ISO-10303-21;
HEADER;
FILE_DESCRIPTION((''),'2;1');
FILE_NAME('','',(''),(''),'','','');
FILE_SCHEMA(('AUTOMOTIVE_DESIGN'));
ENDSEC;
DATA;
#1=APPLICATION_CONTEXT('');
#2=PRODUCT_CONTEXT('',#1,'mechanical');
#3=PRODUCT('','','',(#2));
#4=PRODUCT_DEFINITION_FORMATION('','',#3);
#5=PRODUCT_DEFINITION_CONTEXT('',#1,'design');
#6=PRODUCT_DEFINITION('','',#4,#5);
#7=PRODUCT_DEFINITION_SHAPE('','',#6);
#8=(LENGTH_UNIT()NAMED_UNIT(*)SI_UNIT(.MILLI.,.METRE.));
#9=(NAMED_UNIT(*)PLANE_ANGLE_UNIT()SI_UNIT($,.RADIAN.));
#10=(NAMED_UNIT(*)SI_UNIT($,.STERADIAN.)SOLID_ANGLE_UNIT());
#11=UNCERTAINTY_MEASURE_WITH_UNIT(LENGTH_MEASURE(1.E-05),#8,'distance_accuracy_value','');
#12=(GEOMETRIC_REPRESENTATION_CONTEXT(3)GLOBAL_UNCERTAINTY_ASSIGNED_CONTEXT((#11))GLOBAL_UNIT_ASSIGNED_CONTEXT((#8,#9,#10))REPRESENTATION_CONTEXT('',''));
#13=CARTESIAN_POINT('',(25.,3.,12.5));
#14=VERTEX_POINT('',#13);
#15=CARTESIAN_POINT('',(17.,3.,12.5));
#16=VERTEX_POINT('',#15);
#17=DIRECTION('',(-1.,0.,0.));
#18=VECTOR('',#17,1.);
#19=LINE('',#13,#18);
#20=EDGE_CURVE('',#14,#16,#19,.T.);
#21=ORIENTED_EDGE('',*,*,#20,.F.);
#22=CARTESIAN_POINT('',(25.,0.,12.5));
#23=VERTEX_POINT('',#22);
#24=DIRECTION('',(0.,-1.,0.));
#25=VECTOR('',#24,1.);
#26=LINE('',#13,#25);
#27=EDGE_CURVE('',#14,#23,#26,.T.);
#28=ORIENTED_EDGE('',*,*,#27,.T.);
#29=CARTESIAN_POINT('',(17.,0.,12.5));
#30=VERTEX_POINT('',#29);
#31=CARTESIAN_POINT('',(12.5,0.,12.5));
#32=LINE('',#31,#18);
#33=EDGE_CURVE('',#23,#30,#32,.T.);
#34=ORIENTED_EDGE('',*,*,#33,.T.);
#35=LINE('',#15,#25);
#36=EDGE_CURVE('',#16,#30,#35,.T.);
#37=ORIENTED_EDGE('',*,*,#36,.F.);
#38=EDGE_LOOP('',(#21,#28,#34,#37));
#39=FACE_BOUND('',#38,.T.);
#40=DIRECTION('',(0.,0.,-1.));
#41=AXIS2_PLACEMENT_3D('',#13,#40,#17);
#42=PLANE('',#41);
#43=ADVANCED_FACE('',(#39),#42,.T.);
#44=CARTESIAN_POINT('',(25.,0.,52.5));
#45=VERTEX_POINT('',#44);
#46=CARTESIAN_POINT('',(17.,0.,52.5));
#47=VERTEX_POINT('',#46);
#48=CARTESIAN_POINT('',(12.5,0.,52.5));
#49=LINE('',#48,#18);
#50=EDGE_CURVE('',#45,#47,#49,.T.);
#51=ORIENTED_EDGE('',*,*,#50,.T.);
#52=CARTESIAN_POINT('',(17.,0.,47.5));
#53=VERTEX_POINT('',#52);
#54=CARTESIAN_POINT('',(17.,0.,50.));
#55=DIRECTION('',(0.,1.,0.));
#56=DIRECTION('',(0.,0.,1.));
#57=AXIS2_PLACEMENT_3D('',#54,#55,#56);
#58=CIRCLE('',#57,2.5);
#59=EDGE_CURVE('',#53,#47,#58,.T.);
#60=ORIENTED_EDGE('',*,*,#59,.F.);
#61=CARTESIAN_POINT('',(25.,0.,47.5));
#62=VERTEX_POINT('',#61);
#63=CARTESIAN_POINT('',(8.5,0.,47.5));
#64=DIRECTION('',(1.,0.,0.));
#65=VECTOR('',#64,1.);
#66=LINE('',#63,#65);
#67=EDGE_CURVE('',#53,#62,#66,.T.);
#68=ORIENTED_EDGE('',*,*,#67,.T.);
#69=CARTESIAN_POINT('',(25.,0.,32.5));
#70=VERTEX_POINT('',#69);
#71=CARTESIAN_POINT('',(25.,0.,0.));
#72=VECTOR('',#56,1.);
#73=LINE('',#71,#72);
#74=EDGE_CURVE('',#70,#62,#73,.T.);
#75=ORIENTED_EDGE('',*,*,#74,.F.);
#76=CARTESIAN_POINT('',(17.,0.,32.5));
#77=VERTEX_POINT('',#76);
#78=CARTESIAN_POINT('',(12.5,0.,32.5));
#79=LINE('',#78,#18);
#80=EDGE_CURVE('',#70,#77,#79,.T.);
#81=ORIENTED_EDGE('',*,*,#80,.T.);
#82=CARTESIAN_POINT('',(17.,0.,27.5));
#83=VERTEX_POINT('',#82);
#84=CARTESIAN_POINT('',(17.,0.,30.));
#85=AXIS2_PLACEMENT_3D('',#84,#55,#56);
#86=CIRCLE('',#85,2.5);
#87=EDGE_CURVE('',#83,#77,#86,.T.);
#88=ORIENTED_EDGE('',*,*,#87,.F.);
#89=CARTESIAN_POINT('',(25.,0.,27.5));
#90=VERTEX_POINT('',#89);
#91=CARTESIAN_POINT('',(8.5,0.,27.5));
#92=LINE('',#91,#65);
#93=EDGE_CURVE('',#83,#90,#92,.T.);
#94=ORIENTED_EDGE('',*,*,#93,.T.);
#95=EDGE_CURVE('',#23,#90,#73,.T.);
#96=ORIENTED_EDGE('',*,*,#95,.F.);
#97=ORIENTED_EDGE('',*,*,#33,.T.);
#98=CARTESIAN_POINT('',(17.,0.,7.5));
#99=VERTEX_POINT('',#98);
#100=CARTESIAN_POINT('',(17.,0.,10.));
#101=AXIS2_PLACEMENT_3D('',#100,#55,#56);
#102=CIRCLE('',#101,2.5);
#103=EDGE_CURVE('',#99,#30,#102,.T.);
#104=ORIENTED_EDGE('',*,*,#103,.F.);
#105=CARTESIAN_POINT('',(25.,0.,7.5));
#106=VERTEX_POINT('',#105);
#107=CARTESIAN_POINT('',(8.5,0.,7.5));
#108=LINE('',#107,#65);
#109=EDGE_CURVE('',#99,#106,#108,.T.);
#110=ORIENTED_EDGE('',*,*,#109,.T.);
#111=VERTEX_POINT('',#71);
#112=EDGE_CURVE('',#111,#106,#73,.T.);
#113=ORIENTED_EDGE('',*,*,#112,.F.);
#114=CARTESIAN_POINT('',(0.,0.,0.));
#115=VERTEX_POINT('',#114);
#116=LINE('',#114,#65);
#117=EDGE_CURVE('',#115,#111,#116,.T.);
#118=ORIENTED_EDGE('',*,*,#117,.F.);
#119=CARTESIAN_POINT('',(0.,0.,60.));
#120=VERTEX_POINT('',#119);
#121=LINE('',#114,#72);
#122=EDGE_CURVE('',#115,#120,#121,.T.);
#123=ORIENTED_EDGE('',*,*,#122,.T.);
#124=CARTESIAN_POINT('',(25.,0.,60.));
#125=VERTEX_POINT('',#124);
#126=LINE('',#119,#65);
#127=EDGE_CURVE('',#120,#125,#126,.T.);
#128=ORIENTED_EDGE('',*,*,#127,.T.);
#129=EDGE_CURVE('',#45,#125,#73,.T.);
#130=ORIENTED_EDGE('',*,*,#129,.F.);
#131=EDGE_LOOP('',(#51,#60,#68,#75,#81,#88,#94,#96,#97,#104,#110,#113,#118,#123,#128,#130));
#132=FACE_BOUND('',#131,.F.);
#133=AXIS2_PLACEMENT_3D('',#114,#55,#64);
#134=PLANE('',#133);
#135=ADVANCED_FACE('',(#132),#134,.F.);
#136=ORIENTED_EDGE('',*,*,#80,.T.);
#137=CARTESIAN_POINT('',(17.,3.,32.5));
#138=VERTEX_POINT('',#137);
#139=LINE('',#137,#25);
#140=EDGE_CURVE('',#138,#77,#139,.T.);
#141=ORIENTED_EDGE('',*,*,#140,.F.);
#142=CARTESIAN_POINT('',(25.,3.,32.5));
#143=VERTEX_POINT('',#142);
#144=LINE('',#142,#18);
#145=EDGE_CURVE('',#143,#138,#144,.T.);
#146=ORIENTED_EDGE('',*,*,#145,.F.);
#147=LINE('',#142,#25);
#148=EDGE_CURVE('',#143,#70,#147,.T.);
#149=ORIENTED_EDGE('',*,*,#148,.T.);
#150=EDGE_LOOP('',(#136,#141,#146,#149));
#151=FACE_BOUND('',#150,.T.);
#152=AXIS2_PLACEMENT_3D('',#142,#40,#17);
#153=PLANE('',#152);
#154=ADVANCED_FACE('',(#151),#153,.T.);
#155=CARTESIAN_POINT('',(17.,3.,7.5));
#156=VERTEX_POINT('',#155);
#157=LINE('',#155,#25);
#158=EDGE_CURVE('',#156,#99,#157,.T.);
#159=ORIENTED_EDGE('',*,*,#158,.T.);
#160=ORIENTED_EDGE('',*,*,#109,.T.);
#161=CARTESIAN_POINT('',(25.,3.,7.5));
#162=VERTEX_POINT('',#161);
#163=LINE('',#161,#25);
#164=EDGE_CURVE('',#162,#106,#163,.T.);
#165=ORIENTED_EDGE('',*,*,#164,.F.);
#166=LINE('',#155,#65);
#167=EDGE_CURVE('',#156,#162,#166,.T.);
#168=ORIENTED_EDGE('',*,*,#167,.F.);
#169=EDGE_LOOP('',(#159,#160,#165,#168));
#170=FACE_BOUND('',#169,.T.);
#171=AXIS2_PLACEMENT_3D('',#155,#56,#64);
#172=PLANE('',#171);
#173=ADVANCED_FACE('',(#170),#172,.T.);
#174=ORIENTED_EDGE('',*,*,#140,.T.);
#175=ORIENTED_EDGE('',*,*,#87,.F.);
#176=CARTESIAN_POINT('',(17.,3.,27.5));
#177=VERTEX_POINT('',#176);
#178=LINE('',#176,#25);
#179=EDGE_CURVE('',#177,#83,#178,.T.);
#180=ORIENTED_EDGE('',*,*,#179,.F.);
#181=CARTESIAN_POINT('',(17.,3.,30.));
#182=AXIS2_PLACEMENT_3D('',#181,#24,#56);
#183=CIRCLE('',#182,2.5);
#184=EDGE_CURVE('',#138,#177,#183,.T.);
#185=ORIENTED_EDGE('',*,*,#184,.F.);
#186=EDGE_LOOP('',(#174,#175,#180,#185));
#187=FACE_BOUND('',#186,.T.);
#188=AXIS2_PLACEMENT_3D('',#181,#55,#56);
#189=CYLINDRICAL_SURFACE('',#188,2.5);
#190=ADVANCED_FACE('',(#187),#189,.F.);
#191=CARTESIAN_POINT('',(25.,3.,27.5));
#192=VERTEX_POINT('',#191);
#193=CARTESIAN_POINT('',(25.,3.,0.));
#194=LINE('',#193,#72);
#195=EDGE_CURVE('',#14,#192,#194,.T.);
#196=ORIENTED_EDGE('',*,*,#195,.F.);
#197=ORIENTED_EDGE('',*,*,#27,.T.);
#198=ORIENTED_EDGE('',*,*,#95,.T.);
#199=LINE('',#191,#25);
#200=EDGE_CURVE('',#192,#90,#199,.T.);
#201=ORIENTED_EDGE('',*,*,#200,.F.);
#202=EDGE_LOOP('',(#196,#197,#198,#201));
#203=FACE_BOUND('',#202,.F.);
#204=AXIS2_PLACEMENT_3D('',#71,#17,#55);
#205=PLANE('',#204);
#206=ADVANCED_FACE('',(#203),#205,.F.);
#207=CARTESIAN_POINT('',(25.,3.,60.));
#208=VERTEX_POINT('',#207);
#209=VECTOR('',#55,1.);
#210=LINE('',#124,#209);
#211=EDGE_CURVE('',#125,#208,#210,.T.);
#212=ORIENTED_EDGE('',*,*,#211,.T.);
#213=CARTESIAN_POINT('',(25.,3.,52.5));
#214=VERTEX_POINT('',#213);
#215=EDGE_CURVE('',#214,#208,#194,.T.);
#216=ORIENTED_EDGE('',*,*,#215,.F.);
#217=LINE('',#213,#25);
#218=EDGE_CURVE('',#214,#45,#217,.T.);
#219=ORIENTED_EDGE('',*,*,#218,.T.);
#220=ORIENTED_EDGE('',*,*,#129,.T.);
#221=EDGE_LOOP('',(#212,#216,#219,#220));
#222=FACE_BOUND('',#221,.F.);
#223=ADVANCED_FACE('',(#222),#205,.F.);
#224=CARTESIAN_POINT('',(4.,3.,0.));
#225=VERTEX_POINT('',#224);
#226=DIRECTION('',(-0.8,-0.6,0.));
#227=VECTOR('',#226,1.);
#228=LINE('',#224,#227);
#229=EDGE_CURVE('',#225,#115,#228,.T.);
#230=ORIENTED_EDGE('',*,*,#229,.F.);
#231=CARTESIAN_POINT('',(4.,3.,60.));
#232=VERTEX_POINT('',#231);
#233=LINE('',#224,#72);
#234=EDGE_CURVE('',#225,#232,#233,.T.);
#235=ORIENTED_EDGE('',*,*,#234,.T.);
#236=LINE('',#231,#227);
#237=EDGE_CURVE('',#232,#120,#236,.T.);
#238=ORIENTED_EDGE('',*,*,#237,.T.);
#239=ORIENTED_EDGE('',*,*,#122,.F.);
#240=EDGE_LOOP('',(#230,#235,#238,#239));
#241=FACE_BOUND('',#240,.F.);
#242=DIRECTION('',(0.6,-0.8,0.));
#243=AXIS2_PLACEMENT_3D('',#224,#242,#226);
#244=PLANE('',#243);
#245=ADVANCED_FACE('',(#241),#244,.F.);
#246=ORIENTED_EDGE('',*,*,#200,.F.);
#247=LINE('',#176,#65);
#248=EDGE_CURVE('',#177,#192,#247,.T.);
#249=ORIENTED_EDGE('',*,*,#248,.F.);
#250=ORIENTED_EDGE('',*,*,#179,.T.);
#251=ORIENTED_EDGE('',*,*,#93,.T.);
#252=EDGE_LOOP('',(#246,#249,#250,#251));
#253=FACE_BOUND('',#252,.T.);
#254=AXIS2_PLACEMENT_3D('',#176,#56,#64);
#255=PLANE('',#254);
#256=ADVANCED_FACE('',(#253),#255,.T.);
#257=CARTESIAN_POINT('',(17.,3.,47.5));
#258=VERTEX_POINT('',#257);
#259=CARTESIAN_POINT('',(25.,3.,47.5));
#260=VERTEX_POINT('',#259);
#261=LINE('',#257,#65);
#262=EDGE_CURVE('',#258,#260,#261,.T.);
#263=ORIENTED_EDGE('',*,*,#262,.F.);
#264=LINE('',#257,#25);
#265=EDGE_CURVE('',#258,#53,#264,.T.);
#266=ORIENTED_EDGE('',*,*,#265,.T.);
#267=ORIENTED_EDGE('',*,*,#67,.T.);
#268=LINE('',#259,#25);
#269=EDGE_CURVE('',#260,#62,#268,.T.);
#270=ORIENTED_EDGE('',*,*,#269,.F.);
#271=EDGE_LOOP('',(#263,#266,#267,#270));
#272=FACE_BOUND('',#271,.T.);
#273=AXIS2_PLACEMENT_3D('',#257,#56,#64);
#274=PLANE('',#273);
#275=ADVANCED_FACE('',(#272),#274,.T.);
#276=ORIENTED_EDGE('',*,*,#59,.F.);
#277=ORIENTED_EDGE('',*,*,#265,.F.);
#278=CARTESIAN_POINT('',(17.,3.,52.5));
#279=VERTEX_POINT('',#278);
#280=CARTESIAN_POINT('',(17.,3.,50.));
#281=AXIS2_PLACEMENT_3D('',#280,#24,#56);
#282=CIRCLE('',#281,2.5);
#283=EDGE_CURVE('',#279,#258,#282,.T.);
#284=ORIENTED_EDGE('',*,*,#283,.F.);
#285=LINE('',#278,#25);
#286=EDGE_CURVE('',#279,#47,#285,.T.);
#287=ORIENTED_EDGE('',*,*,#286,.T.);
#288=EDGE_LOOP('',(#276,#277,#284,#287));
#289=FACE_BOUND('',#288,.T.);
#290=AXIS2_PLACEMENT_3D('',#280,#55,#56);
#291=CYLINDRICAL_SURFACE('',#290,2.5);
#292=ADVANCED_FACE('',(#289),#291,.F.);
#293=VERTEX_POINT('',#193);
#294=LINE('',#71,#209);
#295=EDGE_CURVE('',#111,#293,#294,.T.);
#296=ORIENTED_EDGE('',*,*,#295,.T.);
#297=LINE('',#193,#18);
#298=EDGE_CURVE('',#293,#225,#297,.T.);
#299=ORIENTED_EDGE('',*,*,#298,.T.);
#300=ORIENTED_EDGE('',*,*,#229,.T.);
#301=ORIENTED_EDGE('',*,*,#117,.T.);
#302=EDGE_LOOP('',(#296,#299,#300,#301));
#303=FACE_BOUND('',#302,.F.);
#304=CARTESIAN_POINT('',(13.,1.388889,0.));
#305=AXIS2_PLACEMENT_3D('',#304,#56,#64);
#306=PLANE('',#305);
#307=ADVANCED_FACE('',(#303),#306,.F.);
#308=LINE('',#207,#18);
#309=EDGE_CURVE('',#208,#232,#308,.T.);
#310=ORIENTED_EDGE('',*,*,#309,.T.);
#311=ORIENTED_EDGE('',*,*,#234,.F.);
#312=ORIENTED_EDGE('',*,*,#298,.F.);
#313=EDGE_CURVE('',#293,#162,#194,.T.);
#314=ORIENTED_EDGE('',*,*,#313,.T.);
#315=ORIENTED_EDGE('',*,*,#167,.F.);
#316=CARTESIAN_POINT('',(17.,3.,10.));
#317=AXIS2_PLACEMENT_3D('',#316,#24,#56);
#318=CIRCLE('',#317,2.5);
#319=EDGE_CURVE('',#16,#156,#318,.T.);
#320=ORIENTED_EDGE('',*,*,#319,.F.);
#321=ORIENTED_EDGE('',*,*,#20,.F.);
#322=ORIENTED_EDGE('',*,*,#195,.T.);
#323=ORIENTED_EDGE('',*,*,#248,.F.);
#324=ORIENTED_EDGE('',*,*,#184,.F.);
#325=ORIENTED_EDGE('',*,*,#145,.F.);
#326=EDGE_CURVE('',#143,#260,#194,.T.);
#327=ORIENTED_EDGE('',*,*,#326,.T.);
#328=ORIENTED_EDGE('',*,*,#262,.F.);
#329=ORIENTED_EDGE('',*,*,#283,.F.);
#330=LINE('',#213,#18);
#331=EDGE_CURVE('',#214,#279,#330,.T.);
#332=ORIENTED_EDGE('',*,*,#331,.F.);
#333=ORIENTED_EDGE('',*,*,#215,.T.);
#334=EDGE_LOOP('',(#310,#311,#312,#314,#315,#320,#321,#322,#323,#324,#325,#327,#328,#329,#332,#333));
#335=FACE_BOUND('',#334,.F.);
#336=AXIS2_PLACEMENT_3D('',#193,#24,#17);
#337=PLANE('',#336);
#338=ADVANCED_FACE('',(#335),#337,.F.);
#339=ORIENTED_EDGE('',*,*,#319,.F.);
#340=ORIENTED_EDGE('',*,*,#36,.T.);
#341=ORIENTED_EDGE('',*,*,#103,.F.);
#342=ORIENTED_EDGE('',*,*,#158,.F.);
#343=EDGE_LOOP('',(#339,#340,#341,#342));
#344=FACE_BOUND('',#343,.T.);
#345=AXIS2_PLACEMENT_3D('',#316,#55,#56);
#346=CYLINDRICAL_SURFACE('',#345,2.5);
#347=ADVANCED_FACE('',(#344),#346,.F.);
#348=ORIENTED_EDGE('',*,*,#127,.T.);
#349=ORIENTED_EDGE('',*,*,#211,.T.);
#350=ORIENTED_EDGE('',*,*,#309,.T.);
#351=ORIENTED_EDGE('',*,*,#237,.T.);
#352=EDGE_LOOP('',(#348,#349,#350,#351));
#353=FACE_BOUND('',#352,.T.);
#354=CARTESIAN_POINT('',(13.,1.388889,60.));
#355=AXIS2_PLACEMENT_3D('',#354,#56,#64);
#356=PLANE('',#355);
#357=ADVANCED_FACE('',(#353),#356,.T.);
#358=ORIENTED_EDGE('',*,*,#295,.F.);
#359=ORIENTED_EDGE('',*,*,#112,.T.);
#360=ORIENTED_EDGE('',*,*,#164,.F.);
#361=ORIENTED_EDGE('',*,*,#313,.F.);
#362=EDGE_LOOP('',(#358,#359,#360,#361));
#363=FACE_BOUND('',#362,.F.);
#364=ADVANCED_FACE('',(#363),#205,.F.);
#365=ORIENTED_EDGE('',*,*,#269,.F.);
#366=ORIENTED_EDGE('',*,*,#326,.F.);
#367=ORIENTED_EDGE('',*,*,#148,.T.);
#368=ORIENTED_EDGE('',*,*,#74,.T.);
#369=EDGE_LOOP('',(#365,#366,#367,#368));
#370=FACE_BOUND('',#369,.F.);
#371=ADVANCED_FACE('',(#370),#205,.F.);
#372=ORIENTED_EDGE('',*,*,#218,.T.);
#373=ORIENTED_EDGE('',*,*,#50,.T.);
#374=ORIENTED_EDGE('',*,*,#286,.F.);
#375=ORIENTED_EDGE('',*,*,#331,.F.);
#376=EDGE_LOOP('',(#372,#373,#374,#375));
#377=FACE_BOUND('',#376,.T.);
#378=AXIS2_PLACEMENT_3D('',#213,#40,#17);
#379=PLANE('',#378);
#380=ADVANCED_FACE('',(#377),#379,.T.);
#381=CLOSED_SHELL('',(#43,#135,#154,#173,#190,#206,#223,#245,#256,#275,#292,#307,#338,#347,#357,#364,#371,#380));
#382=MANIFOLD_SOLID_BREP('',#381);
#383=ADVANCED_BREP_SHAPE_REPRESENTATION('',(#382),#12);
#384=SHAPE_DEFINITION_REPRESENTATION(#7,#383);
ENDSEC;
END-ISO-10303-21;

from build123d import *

# Parameters (mm, degrees)
AUFSATZ_LINEAR_AUSTRAGEN1_DEPTH = 60
SCHNITT_LINEAR_AUSTRAGEN1_DEPTH = 4


with BuildPart() as part:
    # Skizze1 → Aufsatz-Linear austragen1 (new body)
    with BuildSketch(Plane.XY):
        Polygon((0, 0), (25, 0), (25, 3), (4, 3), align=None)
    extrude(amount=AUFSATZ_LINEAR_AUSTRAGEN1_DEPTH)

    # Skizze2 → Schnitt-Linear austragen1 (cut, through all)
    with BuildSketch(Plane(origin=(0, 3, 0), x_dir=(1, 0, 0), z_dir=(0, 1, 0))):
        with BuildLine():
            Line((25, -52.5), (17, -52.5))
            ThreePointArc((17, -52.5), (14.5, -50), (17, -47.5))
            Line((17, -47.5), (25, -47.5))
            Line((25, -47.5), (25, -52.5))
        make_face()
        with BuildLine():
            Line((25, -32.5), (17, -32.5))
            ThreePointArc((17, -32.5), (14.5, -30), (17, -27.5))
            Line((17, -27.5), (25, -27.5))
            Line((25, -27.5), (25, -32.5))
        make_face()
        with BuildLine():
            Line((25, -12.5), (17, -12.5))
            ThreePointArc((17, -12.5), (14.5, -10), (17, -7.5))
            Line((17, -7.5), (25, -7.5))
            Line((25, -7.5), (25, -12.5))
        make_face()
    extrude(amount=-SCHNITT_LINEAR_AUSTRAGEN1_DEPTH, mode=Mode.SUBTRACT)


solid = part.part
